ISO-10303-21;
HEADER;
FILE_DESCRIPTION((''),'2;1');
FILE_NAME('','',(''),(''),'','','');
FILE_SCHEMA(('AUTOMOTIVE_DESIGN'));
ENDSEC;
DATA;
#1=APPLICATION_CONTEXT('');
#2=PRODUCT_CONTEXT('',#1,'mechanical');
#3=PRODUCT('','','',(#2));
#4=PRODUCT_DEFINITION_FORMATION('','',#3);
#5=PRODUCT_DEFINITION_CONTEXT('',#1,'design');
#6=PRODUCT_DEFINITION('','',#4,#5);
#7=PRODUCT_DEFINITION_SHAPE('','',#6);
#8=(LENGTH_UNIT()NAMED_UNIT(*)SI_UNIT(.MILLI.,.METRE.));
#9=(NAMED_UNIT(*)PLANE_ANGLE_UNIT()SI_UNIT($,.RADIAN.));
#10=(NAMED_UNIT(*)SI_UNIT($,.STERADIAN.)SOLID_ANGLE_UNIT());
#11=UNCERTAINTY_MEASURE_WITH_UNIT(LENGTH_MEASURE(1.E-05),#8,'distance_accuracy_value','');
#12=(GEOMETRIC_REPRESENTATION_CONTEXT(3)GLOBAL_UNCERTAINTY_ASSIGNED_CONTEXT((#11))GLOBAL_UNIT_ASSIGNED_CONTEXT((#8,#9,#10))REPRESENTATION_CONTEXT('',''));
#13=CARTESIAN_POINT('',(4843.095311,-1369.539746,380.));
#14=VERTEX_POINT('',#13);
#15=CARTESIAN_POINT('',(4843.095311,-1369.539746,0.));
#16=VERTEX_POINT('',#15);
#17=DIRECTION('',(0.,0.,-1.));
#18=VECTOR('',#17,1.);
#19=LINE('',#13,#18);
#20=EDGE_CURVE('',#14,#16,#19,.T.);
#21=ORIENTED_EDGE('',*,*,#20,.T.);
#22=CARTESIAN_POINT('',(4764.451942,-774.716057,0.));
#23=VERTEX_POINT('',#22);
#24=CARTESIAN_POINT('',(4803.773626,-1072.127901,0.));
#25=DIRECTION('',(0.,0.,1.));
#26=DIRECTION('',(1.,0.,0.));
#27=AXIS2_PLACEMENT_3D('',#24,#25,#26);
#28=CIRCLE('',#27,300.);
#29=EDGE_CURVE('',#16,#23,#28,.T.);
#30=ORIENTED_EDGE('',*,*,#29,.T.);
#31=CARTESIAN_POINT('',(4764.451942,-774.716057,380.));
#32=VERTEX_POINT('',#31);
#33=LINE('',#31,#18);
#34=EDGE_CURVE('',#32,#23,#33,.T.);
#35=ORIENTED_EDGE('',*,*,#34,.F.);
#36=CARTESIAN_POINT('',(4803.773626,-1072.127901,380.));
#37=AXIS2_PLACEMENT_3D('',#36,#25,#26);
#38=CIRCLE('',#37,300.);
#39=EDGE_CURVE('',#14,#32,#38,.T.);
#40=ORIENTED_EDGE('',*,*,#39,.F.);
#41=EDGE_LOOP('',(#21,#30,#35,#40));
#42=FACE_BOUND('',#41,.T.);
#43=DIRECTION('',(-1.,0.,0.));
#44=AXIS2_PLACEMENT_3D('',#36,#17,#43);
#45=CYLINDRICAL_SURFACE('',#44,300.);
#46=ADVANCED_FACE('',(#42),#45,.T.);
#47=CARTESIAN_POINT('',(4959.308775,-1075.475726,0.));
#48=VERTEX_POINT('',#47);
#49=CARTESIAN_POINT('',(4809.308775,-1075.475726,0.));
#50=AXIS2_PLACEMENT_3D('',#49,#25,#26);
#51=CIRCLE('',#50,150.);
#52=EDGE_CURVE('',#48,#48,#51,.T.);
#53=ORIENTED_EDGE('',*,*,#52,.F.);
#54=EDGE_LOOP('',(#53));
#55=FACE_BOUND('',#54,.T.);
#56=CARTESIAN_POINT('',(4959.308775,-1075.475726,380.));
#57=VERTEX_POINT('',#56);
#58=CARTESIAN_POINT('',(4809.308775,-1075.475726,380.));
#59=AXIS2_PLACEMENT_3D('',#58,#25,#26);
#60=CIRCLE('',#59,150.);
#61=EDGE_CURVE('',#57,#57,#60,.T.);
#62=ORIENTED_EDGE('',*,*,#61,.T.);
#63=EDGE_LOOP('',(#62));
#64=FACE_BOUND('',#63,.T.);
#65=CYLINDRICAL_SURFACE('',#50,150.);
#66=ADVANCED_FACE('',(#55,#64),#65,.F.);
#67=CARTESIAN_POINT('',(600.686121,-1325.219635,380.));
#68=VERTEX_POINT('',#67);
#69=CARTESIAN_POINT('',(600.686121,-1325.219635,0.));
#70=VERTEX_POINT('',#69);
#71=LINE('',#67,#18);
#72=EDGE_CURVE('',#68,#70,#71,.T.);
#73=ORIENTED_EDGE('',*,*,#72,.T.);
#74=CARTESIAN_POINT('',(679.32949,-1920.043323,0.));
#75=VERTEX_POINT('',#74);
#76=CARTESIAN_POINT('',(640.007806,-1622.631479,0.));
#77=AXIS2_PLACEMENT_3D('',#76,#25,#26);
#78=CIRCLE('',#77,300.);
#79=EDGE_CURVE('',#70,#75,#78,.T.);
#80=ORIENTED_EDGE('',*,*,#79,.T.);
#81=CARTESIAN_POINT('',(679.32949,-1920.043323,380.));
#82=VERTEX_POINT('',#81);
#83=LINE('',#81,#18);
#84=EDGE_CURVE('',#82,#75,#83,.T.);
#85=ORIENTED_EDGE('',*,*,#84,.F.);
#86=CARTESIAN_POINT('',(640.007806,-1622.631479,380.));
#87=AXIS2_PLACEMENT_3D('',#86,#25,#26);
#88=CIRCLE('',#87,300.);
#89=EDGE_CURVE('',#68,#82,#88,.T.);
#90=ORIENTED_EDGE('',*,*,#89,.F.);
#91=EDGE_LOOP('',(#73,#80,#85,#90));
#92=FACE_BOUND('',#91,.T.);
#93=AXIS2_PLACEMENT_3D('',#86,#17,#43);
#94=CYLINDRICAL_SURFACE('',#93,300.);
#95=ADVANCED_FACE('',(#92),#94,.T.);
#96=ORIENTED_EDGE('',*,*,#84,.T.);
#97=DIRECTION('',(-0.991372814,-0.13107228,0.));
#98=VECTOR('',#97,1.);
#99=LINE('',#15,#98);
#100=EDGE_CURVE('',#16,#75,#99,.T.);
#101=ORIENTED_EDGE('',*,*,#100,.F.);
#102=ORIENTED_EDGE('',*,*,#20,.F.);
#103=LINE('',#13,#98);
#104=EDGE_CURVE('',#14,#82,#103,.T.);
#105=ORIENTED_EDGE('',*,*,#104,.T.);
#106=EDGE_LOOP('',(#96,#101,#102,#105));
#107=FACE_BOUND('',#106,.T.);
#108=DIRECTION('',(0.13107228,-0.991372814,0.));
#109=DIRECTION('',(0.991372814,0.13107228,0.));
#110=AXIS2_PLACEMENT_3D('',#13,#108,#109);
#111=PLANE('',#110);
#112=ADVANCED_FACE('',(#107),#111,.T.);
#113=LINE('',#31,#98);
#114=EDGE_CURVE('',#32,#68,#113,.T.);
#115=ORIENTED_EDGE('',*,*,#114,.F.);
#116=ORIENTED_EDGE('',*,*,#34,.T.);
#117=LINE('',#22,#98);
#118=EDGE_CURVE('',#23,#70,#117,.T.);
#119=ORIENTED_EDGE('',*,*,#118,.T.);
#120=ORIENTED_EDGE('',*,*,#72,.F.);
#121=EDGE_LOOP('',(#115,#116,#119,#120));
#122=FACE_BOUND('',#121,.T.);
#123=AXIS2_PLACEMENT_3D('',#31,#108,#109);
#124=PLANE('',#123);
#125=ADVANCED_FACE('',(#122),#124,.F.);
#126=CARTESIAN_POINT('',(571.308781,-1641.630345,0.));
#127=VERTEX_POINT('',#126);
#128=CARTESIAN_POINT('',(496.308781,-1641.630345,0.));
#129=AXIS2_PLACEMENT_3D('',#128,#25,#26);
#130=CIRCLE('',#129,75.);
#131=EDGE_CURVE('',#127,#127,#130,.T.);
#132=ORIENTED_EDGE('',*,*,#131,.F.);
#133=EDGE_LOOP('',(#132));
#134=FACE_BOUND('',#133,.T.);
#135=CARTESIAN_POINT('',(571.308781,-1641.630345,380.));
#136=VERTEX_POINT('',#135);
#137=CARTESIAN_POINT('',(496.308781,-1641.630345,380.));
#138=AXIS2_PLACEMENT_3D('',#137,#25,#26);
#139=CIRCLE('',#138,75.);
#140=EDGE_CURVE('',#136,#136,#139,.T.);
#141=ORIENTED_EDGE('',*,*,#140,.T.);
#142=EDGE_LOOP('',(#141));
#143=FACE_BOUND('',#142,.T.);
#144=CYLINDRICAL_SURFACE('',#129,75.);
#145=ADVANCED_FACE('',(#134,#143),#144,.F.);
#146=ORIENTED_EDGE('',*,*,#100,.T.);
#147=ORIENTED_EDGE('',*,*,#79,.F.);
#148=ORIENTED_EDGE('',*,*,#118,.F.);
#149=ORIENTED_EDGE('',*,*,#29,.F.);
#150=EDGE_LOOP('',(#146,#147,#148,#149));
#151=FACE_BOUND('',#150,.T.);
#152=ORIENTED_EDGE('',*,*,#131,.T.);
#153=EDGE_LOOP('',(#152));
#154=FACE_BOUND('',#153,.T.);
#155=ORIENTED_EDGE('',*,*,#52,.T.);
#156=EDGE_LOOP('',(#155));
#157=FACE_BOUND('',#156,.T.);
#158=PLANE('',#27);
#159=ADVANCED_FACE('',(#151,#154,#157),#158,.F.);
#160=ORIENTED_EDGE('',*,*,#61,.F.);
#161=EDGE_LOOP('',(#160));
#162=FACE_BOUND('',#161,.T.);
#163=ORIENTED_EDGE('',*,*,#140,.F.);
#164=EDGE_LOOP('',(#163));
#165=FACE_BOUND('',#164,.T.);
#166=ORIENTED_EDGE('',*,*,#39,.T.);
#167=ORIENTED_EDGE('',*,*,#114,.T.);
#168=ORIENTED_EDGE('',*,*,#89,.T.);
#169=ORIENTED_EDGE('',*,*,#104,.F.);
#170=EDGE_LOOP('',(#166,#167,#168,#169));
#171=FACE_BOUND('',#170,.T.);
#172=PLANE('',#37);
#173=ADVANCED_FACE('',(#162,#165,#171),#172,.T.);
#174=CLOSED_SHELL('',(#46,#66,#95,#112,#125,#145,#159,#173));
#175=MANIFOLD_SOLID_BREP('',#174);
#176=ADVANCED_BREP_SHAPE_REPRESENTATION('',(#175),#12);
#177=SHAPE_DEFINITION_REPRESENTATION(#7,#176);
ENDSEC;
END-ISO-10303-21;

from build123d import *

# Parameters (mm, degrees)
BOSS_EXTRUDE1_DEPTH = 380
SKETCH2_R           = 150
CUT_EXTRUDE1_DEPTH  = 381
SKETCH4_R           = 75
CUT_EXTRUDE2_DEPTH  = 381


with BuildPart() as part:
    # Sketch1 → Boss-Extrude1 (new body)
    with BuildSketch(Plane.XY):
        with BuildLine():
            Line((4764.45194236, -774.716056977), (600.686121492, -1325.219634596))
            ThreePointArc((600.686121492, -1325.219634596), (342.59596126, -1661.95316306), (679.329489724, -1920.043323292))
            Line((679.329489724, -1920.043323292), (4843.095310591, -1369.539745672))
            ThreePointArc((4843.095310591, -1369.539745672), (5101.185470824, -1032.806217209), (4764.45194236, -774.716056977))
        make_face()
    extrude(amount=BOSS_EXTRUDE1_DEPTH)

    # Sketch2 → Cut-Extrude1 (cut, through all)
    with BuildSketch(Plane.XY.offset(380)):
        with Locations((4809.308774546, -1075.475725569)):
            Circle(SKETCH2_R)
    extrude(amount=-CUT_EXTRUDE1_DEPTH, mode=Mode.SUBTRACT)

    # Sketch4 → Cut-Extrude2 (cut, through all)
    with BuildSketch(Plane.XY.offset(380)):
        with Locations((496.308780647, -1641.630344573)):
            Circle(SKETCH4_R)
    extrude(amount=-CUT_EXTRUDE2_DEPTH, mode=Mode.SUBTRACT)


solid = part.part
